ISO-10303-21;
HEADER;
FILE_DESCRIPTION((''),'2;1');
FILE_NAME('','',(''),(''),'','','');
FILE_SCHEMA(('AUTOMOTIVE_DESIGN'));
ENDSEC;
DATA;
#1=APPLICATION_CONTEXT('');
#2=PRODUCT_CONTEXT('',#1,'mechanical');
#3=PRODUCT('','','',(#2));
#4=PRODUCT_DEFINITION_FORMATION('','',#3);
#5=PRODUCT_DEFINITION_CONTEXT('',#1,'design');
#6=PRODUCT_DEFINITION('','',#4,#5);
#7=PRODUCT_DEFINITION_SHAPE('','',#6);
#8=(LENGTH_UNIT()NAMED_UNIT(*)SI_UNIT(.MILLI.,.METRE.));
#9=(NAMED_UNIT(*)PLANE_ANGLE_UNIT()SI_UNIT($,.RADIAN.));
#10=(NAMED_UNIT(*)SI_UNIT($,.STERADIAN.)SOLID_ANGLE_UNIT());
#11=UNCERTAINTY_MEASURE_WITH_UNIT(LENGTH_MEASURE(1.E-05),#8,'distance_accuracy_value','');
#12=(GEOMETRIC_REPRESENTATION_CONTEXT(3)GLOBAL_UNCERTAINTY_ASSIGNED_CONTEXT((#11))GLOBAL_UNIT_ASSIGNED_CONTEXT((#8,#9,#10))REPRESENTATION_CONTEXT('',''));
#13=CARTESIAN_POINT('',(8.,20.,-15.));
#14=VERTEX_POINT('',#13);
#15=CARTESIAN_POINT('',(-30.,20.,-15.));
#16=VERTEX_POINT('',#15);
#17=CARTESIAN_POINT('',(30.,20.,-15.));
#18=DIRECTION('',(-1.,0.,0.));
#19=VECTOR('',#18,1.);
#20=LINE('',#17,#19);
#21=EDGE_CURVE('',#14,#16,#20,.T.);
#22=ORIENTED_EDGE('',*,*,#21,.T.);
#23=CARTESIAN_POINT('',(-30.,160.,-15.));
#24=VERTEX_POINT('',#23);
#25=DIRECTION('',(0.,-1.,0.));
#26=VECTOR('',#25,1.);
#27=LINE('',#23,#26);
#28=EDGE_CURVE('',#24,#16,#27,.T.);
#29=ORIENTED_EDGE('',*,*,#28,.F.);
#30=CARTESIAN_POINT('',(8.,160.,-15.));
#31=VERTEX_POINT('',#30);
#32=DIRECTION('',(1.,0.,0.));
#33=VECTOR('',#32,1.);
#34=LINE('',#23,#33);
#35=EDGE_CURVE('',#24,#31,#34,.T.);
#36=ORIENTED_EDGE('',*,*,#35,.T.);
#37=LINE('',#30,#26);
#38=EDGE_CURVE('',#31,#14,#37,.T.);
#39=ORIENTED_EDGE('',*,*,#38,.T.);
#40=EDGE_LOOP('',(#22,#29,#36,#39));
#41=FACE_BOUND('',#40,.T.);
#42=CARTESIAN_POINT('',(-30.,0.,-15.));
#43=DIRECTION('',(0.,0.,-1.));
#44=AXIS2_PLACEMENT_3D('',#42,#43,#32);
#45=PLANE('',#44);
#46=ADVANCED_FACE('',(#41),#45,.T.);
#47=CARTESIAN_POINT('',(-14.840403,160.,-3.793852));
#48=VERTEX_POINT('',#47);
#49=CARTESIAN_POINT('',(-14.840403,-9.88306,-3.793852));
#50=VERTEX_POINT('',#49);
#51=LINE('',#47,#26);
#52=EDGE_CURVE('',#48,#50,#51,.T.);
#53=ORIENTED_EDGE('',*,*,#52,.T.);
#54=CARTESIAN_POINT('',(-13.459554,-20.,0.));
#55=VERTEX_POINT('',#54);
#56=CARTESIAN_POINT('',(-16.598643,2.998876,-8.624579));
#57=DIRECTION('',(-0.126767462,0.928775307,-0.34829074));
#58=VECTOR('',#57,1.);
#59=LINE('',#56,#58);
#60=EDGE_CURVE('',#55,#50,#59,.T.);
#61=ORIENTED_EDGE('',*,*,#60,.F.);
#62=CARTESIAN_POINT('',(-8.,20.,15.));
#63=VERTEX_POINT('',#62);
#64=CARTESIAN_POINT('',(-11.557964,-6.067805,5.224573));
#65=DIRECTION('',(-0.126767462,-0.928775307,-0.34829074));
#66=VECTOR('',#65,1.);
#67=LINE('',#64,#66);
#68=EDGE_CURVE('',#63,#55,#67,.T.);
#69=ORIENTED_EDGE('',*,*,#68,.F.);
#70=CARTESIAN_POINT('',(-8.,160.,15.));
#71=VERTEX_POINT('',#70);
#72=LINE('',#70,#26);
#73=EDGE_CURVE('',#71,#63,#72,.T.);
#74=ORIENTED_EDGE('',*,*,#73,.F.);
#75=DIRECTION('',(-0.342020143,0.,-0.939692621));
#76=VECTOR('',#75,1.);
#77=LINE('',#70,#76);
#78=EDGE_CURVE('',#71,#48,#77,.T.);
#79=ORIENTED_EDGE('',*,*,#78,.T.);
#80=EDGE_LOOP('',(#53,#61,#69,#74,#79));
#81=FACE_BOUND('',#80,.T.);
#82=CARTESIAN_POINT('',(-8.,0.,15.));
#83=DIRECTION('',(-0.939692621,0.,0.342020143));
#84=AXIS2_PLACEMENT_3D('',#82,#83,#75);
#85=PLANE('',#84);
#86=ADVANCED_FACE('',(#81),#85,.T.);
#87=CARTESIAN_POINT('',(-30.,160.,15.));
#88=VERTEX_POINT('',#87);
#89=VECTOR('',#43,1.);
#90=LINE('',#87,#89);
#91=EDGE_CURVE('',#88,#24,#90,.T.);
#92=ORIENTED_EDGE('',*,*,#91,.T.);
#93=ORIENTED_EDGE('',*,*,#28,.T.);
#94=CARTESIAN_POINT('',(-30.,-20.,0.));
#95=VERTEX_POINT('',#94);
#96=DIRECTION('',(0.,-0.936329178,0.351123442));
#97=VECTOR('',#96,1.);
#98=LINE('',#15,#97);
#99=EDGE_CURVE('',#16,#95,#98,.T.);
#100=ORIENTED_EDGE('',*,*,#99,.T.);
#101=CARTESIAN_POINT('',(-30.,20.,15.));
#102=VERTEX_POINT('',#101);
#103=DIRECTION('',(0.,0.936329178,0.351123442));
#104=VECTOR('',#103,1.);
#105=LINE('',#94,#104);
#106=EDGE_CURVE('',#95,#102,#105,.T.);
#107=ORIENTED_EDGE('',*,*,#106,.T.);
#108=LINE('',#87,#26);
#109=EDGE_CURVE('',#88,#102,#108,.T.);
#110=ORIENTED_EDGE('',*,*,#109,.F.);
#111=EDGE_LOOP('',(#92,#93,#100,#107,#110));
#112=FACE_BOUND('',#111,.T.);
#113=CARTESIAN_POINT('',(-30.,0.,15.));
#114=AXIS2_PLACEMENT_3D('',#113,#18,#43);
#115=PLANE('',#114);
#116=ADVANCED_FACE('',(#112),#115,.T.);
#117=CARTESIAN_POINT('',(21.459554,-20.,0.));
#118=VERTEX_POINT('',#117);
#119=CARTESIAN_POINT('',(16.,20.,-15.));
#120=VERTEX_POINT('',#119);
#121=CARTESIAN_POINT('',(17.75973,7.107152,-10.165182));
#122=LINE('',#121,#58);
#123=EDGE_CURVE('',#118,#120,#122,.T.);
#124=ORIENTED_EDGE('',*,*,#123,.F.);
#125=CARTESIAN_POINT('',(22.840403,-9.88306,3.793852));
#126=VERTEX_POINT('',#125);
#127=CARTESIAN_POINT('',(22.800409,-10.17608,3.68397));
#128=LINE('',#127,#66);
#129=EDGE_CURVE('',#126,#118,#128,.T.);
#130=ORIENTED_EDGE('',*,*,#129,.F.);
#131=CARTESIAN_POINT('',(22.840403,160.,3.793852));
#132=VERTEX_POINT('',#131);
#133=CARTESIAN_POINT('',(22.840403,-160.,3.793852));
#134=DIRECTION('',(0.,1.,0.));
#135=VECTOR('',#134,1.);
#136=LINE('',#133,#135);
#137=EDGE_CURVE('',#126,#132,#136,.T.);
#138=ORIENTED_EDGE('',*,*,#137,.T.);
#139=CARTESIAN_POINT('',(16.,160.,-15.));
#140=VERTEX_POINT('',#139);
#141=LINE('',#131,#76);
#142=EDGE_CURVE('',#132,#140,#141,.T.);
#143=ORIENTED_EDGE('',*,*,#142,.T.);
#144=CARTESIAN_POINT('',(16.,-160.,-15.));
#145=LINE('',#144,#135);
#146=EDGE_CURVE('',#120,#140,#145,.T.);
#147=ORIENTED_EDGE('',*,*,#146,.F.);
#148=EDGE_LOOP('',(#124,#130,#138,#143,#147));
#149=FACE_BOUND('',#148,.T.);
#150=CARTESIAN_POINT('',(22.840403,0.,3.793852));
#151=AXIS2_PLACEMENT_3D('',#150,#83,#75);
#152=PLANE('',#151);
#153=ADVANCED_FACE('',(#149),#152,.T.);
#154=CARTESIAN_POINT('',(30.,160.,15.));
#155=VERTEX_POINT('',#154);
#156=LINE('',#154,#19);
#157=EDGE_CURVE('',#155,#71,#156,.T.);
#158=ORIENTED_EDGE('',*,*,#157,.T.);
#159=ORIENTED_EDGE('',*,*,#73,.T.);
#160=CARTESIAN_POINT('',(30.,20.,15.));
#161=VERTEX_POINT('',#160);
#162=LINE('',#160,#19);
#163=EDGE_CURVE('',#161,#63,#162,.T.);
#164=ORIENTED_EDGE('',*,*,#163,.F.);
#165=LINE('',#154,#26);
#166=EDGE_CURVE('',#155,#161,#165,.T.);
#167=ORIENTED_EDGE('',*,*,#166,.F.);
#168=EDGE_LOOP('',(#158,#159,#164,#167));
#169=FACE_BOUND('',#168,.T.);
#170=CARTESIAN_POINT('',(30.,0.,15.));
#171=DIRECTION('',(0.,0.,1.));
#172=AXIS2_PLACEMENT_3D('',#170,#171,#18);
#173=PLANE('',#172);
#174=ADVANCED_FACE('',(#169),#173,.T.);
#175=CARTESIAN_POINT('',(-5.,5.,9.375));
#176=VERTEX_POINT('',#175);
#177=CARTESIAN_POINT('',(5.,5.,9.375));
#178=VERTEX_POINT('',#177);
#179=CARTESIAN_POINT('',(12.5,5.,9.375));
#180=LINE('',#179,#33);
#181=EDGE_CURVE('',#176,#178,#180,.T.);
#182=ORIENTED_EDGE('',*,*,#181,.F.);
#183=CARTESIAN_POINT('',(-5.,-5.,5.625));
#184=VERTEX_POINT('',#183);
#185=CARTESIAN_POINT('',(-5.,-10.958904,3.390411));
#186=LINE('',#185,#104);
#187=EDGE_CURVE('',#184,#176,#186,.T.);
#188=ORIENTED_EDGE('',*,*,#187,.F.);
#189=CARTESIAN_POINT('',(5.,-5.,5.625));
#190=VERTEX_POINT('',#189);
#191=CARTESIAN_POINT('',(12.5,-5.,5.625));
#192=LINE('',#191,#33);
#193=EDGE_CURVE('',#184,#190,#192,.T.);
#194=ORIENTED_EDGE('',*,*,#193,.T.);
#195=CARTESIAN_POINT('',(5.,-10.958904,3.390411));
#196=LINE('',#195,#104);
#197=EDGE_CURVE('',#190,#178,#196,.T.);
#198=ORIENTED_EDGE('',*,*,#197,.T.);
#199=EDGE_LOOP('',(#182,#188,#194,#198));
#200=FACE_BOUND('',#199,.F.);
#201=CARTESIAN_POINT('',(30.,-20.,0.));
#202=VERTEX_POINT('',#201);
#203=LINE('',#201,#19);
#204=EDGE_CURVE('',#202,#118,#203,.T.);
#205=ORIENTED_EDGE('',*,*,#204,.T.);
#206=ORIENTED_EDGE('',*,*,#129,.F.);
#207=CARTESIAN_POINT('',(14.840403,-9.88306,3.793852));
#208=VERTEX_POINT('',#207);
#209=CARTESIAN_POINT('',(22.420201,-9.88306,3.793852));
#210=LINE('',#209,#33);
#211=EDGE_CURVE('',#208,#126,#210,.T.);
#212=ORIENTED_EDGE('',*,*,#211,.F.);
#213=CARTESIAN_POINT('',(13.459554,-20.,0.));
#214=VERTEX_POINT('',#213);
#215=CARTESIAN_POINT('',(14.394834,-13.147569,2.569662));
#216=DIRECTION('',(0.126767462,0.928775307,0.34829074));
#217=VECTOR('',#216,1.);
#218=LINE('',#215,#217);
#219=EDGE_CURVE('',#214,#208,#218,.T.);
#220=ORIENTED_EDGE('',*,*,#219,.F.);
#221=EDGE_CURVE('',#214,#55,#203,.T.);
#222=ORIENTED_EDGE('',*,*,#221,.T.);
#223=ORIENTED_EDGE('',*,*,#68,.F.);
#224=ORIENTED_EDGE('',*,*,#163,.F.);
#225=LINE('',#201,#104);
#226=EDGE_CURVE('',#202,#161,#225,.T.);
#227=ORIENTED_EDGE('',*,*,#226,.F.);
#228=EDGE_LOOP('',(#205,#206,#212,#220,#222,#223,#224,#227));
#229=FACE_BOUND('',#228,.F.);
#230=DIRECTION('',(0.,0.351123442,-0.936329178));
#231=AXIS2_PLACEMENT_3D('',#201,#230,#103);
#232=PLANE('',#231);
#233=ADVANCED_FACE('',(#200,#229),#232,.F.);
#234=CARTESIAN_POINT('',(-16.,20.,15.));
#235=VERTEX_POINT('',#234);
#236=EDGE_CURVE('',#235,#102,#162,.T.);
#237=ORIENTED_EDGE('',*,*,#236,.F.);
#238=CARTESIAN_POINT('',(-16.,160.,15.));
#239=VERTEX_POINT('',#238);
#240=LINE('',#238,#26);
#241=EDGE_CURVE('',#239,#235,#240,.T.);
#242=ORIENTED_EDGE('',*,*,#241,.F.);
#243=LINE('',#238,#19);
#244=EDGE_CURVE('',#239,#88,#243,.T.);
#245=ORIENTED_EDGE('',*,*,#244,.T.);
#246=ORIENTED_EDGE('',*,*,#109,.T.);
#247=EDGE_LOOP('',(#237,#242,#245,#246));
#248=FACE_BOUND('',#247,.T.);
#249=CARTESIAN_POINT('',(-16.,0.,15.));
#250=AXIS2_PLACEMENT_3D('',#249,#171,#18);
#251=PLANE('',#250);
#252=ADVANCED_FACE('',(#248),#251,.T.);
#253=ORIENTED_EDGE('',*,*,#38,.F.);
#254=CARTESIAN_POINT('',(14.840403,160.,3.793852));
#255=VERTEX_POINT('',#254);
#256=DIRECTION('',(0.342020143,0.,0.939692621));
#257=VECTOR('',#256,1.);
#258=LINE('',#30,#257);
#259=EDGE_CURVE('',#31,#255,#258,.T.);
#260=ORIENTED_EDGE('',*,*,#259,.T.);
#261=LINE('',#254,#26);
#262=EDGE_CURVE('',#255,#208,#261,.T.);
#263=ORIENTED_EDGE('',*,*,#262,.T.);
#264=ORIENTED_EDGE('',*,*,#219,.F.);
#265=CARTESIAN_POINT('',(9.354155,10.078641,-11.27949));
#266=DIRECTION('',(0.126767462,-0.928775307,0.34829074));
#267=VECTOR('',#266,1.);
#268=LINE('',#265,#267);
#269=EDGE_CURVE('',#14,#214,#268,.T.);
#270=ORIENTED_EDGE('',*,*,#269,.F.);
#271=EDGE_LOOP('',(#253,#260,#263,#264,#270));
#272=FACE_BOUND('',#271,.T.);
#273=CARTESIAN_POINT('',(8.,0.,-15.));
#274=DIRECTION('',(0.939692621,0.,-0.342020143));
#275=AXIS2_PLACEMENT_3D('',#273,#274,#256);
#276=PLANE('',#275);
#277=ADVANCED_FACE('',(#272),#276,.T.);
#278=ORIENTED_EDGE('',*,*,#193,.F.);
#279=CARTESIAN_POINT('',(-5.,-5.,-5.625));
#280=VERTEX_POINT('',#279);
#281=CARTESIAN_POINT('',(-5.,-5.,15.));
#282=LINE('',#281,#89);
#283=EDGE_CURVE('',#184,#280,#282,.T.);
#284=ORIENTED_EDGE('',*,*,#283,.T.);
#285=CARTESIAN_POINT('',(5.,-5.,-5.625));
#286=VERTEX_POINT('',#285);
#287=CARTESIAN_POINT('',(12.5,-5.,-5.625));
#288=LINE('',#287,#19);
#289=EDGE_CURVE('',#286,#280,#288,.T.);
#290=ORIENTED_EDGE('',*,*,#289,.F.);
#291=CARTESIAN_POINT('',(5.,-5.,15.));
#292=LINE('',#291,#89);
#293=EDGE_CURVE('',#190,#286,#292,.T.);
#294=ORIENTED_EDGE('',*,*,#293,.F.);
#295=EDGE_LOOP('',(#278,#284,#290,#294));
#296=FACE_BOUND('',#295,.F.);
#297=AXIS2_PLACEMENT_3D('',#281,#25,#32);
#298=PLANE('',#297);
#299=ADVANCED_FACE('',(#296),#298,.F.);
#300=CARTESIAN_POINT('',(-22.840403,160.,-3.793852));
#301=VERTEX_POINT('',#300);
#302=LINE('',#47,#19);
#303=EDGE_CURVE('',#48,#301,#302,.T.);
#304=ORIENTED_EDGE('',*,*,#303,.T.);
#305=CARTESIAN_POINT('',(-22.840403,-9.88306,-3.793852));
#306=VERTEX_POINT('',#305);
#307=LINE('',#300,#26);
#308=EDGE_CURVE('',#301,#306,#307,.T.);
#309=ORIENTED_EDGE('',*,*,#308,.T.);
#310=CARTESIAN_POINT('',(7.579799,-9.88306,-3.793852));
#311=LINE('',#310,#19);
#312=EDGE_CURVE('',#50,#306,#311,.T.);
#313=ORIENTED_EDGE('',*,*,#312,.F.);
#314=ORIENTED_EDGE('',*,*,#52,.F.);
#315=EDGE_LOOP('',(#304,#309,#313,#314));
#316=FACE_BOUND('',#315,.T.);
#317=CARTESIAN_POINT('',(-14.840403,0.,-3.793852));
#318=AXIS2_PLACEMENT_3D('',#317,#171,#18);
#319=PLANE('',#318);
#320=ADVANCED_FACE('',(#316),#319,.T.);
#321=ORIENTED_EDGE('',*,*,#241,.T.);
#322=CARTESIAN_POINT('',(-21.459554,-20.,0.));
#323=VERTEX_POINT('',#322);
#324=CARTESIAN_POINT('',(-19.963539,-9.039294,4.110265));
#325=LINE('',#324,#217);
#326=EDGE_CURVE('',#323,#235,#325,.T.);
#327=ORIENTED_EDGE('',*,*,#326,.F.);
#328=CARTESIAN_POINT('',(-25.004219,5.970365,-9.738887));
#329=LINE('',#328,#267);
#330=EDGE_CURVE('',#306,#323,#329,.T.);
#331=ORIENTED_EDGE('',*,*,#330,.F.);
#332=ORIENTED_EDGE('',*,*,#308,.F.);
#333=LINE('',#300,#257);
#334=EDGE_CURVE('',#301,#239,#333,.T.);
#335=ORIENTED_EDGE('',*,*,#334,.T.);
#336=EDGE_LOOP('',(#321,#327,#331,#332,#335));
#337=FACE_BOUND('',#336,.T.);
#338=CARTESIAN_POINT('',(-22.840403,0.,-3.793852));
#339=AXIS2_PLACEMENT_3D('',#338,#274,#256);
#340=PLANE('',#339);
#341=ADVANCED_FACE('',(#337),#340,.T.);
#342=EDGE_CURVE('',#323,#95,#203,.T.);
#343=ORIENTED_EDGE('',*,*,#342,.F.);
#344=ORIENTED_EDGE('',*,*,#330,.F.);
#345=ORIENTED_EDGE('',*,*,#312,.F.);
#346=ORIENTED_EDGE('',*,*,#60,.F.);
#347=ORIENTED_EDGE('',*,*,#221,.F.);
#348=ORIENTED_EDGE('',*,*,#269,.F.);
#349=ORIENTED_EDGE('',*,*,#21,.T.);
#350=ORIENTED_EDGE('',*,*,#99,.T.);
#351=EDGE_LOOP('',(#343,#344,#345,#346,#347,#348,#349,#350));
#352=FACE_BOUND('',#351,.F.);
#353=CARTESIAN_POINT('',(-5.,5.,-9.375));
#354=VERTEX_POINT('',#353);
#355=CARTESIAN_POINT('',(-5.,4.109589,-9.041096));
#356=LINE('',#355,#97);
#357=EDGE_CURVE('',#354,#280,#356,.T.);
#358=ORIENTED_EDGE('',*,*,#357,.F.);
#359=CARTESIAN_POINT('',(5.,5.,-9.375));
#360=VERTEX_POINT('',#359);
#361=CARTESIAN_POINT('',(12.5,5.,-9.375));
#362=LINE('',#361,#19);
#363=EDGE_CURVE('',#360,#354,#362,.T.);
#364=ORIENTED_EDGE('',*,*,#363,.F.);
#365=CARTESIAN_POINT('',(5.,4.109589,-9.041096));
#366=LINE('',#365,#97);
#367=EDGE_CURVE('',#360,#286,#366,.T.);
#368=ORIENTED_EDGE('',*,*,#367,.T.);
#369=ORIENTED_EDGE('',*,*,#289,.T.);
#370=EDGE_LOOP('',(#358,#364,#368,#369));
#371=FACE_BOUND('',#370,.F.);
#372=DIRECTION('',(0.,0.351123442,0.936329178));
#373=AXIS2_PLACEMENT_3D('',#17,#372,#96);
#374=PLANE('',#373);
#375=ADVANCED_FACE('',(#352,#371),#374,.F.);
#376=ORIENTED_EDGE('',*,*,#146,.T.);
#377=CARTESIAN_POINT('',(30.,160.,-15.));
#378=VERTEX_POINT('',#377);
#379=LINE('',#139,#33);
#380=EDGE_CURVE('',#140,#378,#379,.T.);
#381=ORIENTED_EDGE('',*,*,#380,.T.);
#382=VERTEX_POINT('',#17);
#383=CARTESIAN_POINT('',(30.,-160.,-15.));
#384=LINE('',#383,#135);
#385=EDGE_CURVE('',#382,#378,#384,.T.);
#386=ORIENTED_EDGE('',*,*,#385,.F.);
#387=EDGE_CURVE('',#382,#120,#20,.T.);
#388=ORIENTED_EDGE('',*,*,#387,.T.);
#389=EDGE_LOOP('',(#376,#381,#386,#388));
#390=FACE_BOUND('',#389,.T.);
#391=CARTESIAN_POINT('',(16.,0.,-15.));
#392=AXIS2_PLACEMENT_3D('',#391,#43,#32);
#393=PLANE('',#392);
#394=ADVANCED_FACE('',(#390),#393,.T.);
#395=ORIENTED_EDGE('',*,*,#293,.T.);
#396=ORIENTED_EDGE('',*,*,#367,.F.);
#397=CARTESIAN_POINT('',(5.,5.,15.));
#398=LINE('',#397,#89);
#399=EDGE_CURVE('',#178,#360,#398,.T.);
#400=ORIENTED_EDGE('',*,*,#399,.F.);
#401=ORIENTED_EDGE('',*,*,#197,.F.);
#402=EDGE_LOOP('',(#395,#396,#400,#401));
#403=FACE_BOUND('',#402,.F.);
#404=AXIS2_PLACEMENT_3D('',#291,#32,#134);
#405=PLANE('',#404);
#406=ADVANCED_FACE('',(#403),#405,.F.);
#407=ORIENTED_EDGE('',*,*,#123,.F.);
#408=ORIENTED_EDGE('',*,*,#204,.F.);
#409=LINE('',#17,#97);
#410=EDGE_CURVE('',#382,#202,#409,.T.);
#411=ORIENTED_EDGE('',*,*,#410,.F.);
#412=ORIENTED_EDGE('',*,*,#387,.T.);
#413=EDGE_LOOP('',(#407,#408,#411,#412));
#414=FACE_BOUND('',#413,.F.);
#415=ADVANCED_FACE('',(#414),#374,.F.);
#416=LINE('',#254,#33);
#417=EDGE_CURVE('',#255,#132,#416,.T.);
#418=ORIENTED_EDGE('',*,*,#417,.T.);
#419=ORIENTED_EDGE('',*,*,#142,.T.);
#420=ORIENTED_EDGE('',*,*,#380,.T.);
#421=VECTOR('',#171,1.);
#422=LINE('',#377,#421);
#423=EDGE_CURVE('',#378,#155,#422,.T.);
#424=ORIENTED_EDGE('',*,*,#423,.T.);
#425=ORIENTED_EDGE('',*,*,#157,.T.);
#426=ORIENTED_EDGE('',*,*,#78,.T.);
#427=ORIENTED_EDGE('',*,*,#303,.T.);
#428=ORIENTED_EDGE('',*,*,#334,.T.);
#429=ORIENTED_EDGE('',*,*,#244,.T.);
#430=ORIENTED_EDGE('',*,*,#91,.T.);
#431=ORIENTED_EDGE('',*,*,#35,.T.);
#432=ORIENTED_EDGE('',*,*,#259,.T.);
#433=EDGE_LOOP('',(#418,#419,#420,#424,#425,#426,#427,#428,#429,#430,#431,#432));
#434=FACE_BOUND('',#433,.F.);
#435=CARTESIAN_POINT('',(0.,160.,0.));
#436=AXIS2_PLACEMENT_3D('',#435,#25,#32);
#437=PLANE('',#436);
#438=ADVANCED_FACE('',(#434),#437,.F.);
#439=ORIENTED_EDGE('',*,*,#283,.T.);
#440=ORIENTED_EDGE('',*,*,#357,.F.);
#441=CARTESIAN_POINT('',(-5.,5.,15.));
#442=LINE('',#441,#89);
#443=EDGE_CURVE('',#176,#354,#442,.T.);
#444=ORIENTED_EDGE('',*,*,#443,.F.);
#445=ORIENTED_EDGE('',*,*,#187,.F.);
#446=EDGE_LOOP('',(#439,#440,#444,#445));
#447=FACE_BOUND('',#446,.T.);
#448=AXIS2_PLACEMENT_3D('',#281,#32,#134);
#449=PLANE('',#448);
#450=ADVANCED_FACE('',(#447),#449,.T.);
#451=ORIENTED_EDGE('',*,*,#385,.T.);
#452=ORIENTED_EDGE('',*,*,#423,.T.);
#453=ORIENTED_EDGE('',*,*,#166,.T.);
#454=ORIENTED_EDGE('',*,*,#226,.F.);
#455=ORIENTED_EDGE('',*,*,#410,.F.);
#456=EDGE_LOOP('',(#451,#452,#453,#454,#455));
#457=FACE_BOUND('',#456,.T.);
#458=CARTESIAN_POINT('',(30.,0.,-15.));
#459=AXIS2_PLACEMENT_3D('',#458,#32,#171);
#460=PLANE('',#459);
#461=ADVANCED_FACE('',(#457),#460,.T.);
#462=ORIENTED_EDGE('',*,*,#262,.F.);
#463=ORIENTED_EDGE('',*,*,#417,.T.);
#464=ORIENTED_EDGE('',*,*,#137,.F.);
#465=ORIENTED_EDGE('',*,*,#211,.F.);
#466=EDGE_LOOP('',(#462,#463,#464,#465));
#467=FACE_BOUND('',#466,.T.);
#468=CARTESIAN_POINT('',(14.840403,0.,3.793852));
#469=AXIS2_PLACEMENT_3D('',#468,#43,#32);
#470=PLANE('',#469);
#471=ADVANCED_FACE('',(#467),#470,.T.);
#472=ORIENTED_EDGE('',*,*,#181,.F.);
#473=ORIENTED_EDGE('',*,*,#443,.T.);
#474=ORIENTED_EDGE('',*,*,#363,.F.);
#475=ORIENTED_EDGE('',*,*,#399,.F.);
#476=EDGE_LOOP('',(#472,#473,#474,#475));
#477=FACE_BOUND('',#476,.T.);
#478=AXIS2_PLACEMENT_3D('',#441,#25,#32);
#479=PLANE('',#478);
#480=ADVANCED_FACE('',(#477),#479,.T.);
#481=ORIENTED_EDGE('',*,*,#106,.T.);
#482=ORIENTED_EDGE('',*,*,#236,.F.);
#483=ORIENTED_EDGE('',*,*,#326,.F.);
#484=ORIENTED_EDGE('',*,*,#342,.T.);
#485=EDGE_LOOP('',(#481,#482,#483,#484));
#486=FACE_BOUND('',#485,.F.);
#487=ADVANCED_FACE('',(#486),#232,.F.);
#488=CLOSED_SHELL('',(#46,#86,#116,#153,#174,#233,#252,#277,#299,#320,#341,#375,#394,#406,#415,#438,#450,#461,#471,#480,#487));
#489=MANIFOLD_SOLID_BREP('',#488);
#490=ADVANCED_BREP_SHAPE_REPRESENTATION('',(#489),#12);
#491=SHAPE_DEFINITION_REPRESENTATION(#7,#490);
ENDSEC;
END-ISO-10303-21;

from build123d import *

# Parameters (mm, degrees)
F1_DEPTH = 160
F2_W     = 10
F2_H     = 10
F3_DEPTH = 60
F5_DEPTH = 60


with BuildPart() as f1:
    # F0 (on Front) → F1 (new body, symmetric)
    with BuildSketch(Plane.XZ):
        Polygon((30, -15), (30, 15), (-8, 15), (-14.8404028665, -3.7938524157), (-22.8404028665, -3.7938524157), (-16, 15), (-30, 15), (-30, -15), (8, -15), (14.8404028665, 3.7938524157), (22.8404028665, 3.7938524157), (16, -15), align=None)
    extrude(amount=F1_DEPTH, both=True)

    # F2 (on face) → F3 (cut)
    with BuildSketch(Plane.XY.offset(15)):
        Rectangle(F2_W, F2_H)
    extrude(amount=-F3_DEPTH, mode=Mode.SUBTRACT)

    # F4 (on face) → F5 (cut)
    with BuildSketch(Plane.YZ.offset(30)):
        Polygon((0, 7.5), (0, 15), (-160, 15), (-160, -15), (0, -15), (0, -7.5), (-20, 0), align=None)
        Polygon((20, 15), (0, 15), (0, 7.5), align=None)
        Polygon((0, -15), (20, -15), (0, -7.5), align=None)
    extrude(amount=-F5_DEPTH, mode=Mode.SUBTRACT)


solid = f1.part
